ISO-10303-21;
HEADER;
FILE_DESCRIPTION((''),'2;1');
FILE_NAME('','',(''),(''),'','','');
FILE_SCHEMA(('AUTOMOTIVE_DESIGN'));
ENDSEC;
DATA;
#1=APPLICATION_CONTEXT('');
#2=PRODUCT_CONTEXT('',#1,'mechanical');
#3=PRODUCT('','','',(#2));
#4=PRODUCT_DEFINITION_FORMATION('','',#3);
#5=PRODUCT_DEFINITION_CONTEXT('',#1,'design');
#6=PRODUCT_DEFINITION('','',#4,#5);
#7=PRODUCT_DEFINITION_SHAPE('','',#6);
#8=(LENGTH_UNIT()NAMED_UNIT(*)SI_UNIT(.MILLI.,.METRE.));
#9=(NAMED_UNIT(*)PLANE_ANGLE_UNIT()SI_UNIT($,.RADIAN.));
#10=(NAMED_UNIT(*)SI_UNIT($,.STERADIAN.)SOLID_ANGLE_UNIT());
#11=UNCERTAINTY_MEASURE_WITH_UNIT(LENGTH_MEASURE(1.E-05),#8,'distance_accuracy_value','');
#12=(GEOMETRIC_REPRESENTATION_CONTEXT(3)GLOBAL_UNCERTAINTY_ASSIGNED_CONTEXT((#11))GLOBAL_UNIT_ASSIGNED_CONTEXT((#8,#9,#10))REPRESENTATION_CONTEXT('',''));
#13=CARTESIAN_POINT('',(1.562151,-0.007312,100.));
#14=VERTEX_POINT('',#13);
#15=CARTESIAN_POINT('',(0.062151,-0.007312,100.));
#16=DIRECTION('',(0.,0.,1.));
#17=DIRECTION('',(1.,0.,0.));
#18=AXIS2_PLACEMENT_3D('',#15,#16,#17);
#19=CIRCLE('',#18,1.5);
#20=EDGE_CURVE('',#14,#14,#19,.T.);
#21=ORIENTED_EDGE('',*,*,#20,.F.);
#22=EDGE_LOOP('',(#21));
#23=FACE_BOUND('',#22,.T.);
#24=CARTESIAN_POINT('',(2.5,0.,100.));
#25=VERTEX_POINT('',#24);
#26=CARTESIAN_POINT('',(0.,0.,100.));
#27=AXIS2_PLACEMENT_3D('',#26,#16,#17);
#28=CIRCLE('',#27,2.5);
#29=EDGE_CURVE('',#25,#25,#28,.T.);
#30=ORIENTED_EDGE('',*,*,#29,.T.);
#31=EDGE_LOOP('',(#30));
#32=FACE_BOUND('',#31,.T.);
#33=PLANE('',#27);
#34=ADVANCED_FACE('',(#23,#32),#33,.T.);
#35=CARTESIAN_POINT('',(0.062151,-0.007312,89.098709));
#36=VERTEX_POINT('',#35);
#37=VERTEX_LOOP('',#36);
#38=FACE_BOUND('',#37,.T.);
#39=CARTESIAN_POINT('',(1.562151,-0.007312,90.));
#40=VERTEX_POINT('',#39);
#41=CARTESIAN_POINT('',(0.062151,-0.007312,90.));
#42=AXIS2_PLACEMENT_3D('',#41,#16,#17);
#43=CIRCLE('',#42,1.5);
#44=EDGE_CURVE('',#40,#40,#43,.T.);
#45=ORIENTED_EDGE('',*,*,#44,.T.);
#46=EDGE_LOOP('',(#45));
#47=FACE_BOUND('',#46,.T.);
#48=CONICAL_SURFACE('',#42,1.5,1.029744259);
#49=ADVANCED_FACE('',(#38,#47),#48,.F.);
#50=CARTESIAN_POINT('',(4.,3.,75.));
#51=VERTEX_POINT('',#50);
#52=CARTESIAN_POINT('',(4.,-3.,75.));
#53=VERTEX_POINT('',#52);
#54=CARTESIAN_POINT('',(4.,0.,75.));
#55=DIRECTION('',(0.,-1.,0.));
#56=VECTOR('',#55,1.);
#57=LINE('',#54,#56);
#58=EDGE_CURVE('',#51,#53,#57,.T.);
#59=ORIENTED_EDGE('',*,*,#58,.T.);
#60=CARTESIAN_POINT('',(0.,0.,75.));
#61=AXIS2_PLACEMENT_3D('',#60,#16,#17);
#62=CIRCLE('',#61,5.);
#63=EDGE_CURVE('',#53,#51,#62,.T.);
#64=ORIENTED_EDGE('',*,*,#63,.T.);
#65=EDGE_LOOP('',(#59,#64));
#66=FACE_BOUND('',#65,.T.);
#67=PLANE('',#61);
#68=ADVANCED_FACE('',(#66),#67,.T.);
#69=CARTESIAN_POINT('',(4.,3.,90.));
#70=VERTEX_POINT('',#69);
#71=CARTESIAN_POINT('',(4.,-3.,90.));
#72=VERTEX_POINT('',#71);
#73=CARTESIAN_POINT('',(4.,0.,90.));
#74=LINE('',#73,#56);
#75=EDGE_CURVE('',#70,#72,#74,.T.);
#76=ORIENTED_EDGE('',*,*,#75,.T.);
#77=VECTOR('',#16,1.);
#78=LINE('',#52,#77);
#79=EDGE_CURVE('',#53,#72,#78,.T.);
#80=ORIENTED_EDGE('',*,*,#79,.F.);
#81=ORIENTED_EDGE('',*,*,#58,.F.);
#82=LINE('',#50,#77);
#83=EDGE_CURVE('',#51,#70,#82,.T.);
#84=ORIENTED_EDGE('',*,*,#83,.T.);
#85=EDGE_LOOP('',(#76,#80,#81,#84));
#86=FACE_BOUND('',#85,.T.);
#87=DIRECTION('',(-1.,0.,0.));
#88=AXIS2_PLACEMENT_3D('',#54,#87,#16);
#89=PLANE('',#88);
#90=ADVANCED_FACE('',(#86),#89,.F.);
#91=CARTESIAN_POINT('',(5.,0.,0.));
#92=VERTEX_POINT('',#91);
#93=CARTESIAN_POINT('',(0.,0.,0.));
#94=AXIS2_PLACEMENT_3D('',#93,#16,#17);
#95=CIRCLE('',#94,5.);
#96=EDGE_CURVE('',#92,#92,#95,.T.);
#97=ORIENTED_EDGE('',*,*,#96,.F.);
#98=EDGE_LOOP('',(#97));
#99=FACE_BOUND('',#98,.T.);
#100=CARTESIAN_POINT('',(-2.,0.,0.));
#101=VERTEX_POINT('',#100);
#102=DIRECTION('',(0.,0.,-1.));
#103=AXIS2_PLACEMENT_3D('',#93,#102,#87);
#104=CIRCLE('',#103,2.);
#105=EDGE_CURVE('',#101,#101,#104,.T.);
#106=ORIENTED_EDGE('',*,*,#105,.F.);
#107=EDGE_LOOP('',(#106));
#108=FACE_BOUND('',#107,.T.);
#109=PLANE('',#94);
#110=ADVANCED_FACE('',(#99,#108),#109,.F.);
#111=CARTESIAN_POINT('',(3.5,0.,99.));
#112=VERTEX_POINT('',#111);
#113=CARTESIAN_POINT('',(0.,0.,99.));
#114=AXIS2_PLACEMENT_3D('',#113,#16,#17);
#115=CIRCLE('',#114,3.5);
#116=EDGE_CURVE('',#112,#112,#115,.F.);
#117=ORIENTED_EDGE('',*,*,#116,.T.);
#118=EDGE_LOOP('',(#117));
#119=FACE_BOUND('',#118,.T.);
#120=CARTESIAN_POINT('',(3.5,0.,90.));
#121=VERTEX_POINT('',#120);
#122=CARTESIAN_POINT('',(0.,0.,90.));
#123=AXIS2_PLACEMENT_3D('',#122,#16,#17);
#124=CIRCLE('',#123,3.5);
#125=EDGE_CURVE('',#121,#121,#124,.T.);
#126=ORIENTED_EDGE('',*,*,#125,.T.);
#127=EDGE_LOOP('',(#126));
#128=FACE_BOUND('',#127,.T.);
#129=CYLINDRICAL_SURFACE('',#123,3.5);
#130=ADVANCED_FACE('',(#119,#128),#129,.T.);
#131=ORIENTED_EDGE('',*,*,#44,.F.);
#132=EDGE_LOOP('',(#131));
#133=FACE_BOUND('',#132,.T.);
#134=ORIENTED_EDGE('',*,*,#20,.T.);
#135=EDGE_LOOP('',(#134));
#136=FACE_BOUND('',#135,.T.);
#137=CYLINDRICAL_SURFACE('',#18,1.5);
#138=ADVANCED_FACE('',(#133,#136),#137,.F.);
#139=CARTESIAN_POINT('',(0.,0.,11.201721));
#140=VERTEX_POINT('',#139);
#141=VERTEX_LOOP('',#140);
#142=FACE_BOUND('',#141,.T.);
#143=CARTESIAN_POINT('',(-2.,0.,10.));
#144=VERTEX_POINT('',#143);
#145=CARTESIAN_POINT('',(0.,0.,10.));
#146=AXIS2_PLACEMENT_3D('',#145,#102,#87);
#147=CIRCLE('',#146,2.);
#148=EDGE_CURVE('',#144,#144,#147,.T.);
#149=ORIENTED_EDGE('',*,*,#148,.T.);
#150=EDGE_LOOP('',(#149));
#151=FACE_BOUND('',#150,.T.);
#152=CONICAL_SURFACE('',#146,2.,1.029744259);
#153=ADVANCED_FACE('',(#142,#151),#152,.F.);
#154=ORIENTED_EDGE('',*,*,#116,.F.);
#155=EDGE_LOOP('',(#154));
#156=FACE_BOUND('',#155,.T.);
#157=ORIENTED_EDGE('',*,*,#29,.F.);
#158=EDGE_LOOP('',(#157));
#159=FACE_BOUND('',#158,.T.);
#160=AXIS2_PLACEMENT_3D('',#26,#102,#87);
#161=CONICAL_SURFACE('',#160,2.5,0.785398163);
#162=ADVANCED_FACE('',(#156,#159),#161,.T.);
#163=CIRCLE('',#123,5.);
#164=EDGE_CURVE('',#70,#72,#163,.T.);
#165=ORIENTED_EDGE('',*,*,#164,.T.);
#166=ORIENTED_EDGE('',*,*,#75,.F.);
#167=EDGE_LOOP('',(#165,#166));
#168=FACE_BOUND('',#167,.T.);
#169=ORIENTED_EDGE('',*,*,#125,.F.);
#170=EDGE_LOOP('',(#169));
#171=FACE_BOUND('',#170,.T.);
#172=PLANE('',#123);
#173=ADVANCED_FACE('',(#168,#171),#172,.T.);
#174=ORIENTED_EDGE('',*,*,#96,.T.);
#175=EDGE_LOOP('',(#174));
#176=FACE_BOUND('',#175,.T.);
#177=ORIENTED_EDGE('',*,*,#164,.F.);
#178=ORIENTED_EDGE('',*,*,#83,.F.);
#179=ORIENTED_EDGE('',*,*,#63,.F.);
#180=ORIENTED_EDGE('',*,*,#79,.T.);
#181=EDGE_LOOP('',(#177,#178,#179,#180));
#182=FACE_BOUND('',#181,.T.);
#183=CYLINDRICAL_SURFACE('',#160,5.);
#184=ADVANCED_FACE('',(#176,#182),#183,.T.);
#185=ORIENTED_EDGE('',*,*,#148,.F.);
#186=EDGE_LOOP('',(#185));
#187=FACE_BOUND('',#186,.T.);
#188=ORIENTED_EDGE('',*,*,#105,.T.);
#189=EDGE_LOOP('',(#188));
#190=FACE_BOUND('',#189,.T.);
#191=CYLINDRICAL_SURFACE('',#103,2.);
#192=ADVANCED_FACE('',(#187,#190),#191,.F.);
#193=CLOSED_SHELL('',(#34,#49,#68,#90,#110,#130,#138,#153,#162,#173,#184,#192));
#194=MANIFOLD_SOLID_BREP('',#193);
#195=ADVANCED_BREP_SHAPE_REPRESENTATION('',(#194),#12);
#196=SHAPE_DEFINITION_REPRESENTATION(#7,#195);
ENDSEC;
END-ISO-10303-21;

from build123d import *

# Parameters (mm, degrees)
SKETCH15_R         = 5
BASE_EXTRUDE_DEPTH = 100
SKETCH24_OUTSIDE_W = 32.2
SKETCH24_OUTSIDE_H = 32.2
SKETCH24_OUTSIDE_R = 3.5
FRONT_CUT_DEPTH    = 10
FRONT_HOLE_D       = 3
FRONT_HOLE_DEPTH   = 10
FRONT_HOLE_TIP     = 0.901290929
CHAMFER1_SIZE      = 1
KEYWAY_CUT_START   = -25
KEYWAY_CUT_DEPTH   = 25
BACK_HOLE_D        = 4
BACK_HOLE_DEPTH    = 10
BACK_HOLE_TIP      = 1.201721238


with BuildPart() as part:
    # Sketch15 → Base Extrude (new body)
    with BuildSketch(Plane.XY):
        Circle(SKETCH15_R)
    extrude(amount=BASE_EXTRUDE_DEPTH)

    # Sketch24 outside → Front Cut (cut)
    with BuildSketch(Plane.XY.offset(100)):
        Rectangle(SKETCH24_OUTSIDE_W, SKETCH24_OUTSIDE_H)
        Circle(SKETCH24_OUTSIDE_R, mode=Mode.SUBTRACT)
    extrude(amount=-FRONT_CUT_DEPTH, mode=Mode.SUBTRACT)

    # Front Hole
    with Locations(Plane(origin=(0.062150556, -0.00731183, 100), x_dir=(1, 0, 0), z_dir=(0, 0, 1))):
        with Locations((0, 0)):
            Hole(FRONT_HOLE_D / 2, depth=FRONT_HOLE_DEPTH)
            with Locations((0, 0, -(FRONT_HOLE_DEPTH + FRONT_HOLE_TIP / 2))):  # 118° drill point
                Cone(0, FRONT_HOLE_D / 2, FRONT_HOLE_TIP, mode=Mode.SUBTRACT)

    # Chamfer1
    chamfer1_edges = [part.edges().sort_by_distance(p)[0] for p in [
        (-3.5, 0, 100),
    ]]
    chamfer(chamfer1_edges, length=CHAMFER1_SIZE)

    # Keyway → Keyway-Cut (cut)
    with BuildSketch(Plane.XY.offset(100).offset(KEYWAY_CUT_START)):
        with BuildLine():
            ThreePointArc((5, 0), (4.74341649, 1.58113883), (4, 3))
            Line((4, 3), (4, -3))
            ThreePointArc((4, -3), (4.74341649, -1.58113883), (5, 0))
        make_face()
    extrude(amount=KEYWAY_CUT_DEPTH, mode=Mode.SUBTRACT)

    # Back Hole
    with Locations(Plane(origin=(0, 0, 0), x_dir=(-1, 0, 0), z_dir=(0, 0, -1))):
        with Locations((0, 0)):
            Hole(BACK_HOLE_D / 2, depth=BACK_HOLE_DEPTH)
            with Locations((0, 0, -(BACK_HOLE_DEPTH + BACK_HOLE_TIP / 2))):  # 118° drill point
                Cone(0, BACK_HOLE_D / 2, BACK_HOLE_TIP, mode=Mode.SUBTRACT)


solid = part.part
